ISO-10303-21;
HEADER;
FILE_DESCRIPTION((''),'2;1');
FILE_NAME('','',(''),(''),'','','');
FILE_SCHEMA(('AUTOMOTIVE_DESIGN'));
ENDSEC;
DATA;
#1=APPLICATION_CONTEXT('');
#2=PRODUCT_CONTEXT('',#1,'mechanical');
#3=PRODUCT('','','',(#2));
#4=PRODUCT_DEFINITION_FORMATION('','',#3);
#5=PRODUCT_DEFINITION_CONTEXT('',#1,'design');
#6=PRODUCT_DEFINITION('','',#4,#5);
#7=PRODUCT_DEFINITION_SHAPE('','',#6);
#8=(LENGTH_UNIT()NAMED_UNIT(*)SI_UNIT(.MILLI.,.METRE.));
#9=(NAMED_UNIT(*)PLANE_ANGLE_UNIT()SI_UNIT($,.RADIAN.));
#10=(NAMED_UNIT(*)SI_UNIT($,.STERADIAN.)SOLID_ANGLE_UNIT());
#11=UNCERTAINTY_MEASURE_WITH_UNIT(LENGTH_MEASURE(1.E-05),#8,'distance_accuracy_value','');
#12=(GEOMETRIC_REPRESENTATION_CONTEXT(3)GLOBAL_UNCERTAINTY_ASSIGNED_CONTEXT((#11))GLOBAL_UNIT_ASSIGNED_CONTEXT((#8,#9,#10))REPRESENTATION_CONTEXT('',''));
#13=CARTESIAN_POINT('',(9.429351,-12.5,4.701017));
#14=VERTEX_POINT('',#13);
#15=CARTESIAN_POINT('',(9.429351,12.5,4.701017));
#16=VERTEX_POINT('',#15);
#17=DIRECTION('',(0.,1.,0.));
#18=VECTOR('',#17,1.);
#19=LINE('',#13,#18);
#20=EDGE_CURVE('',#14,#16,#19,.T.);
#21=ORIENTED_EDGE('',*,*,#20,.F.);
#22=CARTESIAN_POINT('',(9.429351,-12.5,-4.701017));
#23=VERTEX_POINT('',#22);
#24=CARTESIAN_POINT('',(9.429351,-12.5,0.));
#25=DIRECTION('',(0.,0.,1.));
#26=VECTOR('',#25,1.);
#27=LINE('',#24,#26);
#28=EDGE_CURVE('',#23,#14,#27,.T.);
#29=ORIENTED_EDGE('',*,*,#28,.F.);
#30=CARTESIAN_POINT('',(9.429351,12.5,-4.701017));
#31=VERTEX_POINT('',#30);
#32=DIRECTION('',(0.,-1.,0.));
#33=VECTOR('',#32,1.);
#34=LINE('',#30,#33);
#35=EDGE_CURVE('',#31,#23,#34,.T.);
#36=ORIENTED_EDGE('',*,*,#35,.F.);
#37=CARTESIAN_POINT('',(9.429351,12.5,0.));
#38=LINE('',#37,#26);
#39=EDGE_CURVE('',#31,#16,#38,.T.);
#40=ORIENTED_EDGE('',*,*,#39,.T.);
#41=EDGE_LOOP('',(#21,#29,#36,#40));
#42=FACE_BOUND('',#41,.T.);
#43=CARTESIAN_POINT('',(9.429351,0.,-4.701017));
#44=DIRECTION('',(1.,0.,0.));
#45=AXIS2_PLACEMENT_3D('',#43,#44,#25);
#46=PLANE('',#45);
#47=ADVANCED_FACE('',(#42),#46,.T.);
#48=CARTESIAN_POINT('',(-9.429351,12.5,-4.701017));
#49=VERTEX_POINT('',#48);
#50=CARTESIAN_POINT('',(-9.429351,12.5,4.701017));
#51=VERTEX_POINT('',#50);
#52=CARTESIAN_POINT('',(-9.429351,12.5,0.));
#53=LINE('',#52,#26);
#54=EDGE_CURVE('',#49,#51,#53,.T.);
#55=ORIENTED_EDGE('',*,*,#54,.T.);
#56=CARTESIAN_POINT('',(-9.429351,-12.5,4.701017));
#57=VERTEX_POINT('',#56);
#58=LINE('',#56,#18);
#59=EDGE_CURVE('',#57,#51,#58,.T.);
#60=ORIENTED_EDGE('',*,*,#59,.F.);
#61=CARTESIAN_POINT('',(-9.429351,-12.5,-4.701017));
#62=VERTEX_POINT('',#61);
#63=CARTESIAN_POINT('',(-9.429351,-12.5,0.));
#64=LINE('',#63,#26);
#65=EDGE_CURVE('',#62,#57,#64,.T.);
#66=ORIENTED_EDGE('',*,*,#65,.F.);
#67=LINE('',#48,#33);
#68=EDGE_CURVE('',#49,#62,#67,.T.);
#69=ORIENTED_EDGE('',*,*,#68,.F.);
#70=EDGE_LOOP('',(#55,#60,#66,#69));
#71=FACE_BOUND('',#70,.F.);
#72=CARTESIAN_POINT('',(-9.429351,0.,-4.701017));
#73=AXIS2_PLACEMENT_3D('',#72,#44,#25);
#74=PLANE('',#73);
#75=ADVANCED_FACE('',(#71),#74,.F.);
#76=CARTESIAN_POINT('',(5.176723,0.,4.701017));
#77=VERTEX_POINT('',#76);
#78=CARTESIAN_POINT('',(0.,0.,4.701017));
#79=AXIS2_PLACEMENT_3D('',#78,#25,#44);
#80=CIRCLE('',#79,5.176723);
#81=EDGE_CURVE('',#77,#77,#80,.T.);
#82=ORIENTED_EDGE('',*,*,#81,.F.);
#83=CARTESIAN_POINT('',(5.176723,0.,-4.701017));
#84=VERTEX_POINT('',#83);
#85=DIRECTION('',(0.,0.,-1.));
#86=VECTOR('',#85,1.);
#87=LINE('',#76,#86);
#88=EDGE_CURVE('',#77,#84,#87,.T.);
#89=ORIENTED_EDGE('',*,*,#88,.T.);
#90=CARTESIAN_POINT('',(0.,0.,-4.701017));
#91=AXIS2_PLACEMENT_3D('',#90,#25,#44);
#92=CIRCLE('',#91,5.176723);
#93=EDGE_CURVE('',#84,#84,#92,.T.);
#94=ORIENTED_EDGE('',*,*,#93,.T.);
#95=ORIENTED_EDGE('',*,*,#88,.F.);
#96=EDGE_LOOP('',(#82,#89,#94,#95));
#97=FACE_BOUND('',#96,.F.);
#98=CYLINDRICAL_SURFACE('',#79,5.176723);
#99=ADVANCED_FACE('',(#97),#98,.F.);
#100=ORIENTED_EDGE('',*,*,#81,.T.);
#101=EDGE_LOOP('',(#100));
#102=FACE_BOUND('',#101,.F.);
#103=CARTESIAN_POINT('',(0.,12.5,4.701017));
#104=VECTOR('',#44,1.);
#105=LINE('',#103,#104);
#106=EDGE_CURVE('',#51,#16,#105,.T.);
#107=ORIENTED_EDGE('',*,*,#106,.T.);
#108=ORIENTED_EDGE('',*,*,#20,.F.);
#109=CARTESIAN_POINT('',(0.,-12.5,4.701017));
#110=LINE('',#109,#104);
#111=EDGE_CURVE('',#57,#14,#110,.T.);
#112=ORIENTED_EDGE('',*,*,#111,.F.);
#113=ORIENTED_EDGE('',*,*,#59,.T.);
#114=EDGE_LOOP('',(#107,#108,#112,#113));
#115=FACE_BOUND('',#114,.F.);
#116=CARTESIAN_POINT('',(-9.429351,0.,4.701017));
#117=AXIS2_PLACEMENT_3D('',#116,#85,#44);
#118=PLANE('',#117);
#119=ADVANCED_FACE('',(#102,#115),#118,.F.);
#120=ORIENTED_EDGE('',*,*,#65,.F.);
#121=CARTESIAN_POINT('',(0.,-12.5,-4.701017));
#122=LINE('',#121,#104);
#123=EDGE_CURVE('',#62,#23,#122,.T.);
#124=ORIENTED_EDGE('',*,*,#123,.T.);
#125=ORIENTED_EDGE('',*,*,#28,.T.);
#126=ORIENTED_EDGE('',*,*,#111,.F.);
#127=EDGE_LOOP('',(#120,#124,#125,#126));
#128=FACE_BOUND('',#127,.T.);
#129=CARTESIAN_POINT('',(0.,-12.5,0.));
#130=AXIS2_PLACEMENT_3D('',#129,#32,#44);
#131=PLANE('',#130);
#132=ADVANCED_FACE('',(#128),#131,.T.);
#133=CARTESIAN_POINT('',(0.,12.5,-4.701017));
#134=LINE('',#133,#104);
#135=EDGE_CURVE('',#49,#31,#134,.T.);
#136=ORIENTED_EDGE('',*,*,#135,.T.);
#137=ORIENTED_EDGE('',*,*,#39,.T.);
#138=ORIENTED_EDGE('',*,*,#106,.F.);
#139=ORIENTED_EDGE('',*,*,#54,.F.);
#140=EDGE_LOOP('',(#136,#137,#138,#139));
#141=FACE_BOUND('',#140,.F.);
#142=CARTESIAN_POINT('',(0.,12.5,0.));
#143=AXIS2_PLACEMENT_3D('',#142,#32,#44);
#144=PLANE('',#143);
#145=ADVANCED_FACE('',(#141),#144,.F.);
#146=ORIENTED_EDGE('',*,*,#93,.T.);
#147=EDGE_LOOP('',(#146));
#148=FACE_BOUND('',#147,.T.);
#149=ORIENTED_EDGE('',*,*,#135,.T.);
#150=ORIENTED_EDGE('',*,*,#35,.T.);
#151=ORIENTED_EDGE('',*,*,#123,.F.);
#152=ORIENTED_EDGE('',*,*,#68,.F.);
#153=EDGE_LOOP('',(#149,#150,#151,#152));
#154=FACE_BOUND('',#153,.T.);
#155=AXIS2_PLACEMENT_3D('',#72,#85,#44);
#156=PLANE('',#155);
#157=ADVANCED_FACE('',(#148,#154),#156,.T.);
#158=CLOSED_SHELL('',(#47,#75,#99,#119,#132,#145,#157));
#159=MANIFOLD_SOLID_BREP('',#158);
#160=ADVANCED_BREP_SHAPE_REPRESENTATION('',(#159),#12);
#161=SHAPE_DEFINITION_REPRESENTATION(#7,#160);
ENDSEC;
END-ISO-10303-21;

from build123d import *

# Parameters (mm, degrees)
F0_W     = 18.8587028533
F0_H     = 9.4020338729
F1_DEPTH = 12.5
F2_R     = 5.1767234365
F3_DEPTH = 25


with BuildPart() as f1:
    # F0 (on Front) → F1 (new body, symmetric)
    with BuildSketch(Plane.XZ):
        Rectangle(F0_W, F0_H)
    extrude(amount=F1_DEPTH, both=True)

    # F2 (on face) → F3 (cut)
    with BuildSketch(Plane.XY.offset(4.7010169365)):
        Circle(F2_R)
    extrude(amount=-F3_DEPTH, mode=Mode.SUBTRACT)


solid = f1.part
